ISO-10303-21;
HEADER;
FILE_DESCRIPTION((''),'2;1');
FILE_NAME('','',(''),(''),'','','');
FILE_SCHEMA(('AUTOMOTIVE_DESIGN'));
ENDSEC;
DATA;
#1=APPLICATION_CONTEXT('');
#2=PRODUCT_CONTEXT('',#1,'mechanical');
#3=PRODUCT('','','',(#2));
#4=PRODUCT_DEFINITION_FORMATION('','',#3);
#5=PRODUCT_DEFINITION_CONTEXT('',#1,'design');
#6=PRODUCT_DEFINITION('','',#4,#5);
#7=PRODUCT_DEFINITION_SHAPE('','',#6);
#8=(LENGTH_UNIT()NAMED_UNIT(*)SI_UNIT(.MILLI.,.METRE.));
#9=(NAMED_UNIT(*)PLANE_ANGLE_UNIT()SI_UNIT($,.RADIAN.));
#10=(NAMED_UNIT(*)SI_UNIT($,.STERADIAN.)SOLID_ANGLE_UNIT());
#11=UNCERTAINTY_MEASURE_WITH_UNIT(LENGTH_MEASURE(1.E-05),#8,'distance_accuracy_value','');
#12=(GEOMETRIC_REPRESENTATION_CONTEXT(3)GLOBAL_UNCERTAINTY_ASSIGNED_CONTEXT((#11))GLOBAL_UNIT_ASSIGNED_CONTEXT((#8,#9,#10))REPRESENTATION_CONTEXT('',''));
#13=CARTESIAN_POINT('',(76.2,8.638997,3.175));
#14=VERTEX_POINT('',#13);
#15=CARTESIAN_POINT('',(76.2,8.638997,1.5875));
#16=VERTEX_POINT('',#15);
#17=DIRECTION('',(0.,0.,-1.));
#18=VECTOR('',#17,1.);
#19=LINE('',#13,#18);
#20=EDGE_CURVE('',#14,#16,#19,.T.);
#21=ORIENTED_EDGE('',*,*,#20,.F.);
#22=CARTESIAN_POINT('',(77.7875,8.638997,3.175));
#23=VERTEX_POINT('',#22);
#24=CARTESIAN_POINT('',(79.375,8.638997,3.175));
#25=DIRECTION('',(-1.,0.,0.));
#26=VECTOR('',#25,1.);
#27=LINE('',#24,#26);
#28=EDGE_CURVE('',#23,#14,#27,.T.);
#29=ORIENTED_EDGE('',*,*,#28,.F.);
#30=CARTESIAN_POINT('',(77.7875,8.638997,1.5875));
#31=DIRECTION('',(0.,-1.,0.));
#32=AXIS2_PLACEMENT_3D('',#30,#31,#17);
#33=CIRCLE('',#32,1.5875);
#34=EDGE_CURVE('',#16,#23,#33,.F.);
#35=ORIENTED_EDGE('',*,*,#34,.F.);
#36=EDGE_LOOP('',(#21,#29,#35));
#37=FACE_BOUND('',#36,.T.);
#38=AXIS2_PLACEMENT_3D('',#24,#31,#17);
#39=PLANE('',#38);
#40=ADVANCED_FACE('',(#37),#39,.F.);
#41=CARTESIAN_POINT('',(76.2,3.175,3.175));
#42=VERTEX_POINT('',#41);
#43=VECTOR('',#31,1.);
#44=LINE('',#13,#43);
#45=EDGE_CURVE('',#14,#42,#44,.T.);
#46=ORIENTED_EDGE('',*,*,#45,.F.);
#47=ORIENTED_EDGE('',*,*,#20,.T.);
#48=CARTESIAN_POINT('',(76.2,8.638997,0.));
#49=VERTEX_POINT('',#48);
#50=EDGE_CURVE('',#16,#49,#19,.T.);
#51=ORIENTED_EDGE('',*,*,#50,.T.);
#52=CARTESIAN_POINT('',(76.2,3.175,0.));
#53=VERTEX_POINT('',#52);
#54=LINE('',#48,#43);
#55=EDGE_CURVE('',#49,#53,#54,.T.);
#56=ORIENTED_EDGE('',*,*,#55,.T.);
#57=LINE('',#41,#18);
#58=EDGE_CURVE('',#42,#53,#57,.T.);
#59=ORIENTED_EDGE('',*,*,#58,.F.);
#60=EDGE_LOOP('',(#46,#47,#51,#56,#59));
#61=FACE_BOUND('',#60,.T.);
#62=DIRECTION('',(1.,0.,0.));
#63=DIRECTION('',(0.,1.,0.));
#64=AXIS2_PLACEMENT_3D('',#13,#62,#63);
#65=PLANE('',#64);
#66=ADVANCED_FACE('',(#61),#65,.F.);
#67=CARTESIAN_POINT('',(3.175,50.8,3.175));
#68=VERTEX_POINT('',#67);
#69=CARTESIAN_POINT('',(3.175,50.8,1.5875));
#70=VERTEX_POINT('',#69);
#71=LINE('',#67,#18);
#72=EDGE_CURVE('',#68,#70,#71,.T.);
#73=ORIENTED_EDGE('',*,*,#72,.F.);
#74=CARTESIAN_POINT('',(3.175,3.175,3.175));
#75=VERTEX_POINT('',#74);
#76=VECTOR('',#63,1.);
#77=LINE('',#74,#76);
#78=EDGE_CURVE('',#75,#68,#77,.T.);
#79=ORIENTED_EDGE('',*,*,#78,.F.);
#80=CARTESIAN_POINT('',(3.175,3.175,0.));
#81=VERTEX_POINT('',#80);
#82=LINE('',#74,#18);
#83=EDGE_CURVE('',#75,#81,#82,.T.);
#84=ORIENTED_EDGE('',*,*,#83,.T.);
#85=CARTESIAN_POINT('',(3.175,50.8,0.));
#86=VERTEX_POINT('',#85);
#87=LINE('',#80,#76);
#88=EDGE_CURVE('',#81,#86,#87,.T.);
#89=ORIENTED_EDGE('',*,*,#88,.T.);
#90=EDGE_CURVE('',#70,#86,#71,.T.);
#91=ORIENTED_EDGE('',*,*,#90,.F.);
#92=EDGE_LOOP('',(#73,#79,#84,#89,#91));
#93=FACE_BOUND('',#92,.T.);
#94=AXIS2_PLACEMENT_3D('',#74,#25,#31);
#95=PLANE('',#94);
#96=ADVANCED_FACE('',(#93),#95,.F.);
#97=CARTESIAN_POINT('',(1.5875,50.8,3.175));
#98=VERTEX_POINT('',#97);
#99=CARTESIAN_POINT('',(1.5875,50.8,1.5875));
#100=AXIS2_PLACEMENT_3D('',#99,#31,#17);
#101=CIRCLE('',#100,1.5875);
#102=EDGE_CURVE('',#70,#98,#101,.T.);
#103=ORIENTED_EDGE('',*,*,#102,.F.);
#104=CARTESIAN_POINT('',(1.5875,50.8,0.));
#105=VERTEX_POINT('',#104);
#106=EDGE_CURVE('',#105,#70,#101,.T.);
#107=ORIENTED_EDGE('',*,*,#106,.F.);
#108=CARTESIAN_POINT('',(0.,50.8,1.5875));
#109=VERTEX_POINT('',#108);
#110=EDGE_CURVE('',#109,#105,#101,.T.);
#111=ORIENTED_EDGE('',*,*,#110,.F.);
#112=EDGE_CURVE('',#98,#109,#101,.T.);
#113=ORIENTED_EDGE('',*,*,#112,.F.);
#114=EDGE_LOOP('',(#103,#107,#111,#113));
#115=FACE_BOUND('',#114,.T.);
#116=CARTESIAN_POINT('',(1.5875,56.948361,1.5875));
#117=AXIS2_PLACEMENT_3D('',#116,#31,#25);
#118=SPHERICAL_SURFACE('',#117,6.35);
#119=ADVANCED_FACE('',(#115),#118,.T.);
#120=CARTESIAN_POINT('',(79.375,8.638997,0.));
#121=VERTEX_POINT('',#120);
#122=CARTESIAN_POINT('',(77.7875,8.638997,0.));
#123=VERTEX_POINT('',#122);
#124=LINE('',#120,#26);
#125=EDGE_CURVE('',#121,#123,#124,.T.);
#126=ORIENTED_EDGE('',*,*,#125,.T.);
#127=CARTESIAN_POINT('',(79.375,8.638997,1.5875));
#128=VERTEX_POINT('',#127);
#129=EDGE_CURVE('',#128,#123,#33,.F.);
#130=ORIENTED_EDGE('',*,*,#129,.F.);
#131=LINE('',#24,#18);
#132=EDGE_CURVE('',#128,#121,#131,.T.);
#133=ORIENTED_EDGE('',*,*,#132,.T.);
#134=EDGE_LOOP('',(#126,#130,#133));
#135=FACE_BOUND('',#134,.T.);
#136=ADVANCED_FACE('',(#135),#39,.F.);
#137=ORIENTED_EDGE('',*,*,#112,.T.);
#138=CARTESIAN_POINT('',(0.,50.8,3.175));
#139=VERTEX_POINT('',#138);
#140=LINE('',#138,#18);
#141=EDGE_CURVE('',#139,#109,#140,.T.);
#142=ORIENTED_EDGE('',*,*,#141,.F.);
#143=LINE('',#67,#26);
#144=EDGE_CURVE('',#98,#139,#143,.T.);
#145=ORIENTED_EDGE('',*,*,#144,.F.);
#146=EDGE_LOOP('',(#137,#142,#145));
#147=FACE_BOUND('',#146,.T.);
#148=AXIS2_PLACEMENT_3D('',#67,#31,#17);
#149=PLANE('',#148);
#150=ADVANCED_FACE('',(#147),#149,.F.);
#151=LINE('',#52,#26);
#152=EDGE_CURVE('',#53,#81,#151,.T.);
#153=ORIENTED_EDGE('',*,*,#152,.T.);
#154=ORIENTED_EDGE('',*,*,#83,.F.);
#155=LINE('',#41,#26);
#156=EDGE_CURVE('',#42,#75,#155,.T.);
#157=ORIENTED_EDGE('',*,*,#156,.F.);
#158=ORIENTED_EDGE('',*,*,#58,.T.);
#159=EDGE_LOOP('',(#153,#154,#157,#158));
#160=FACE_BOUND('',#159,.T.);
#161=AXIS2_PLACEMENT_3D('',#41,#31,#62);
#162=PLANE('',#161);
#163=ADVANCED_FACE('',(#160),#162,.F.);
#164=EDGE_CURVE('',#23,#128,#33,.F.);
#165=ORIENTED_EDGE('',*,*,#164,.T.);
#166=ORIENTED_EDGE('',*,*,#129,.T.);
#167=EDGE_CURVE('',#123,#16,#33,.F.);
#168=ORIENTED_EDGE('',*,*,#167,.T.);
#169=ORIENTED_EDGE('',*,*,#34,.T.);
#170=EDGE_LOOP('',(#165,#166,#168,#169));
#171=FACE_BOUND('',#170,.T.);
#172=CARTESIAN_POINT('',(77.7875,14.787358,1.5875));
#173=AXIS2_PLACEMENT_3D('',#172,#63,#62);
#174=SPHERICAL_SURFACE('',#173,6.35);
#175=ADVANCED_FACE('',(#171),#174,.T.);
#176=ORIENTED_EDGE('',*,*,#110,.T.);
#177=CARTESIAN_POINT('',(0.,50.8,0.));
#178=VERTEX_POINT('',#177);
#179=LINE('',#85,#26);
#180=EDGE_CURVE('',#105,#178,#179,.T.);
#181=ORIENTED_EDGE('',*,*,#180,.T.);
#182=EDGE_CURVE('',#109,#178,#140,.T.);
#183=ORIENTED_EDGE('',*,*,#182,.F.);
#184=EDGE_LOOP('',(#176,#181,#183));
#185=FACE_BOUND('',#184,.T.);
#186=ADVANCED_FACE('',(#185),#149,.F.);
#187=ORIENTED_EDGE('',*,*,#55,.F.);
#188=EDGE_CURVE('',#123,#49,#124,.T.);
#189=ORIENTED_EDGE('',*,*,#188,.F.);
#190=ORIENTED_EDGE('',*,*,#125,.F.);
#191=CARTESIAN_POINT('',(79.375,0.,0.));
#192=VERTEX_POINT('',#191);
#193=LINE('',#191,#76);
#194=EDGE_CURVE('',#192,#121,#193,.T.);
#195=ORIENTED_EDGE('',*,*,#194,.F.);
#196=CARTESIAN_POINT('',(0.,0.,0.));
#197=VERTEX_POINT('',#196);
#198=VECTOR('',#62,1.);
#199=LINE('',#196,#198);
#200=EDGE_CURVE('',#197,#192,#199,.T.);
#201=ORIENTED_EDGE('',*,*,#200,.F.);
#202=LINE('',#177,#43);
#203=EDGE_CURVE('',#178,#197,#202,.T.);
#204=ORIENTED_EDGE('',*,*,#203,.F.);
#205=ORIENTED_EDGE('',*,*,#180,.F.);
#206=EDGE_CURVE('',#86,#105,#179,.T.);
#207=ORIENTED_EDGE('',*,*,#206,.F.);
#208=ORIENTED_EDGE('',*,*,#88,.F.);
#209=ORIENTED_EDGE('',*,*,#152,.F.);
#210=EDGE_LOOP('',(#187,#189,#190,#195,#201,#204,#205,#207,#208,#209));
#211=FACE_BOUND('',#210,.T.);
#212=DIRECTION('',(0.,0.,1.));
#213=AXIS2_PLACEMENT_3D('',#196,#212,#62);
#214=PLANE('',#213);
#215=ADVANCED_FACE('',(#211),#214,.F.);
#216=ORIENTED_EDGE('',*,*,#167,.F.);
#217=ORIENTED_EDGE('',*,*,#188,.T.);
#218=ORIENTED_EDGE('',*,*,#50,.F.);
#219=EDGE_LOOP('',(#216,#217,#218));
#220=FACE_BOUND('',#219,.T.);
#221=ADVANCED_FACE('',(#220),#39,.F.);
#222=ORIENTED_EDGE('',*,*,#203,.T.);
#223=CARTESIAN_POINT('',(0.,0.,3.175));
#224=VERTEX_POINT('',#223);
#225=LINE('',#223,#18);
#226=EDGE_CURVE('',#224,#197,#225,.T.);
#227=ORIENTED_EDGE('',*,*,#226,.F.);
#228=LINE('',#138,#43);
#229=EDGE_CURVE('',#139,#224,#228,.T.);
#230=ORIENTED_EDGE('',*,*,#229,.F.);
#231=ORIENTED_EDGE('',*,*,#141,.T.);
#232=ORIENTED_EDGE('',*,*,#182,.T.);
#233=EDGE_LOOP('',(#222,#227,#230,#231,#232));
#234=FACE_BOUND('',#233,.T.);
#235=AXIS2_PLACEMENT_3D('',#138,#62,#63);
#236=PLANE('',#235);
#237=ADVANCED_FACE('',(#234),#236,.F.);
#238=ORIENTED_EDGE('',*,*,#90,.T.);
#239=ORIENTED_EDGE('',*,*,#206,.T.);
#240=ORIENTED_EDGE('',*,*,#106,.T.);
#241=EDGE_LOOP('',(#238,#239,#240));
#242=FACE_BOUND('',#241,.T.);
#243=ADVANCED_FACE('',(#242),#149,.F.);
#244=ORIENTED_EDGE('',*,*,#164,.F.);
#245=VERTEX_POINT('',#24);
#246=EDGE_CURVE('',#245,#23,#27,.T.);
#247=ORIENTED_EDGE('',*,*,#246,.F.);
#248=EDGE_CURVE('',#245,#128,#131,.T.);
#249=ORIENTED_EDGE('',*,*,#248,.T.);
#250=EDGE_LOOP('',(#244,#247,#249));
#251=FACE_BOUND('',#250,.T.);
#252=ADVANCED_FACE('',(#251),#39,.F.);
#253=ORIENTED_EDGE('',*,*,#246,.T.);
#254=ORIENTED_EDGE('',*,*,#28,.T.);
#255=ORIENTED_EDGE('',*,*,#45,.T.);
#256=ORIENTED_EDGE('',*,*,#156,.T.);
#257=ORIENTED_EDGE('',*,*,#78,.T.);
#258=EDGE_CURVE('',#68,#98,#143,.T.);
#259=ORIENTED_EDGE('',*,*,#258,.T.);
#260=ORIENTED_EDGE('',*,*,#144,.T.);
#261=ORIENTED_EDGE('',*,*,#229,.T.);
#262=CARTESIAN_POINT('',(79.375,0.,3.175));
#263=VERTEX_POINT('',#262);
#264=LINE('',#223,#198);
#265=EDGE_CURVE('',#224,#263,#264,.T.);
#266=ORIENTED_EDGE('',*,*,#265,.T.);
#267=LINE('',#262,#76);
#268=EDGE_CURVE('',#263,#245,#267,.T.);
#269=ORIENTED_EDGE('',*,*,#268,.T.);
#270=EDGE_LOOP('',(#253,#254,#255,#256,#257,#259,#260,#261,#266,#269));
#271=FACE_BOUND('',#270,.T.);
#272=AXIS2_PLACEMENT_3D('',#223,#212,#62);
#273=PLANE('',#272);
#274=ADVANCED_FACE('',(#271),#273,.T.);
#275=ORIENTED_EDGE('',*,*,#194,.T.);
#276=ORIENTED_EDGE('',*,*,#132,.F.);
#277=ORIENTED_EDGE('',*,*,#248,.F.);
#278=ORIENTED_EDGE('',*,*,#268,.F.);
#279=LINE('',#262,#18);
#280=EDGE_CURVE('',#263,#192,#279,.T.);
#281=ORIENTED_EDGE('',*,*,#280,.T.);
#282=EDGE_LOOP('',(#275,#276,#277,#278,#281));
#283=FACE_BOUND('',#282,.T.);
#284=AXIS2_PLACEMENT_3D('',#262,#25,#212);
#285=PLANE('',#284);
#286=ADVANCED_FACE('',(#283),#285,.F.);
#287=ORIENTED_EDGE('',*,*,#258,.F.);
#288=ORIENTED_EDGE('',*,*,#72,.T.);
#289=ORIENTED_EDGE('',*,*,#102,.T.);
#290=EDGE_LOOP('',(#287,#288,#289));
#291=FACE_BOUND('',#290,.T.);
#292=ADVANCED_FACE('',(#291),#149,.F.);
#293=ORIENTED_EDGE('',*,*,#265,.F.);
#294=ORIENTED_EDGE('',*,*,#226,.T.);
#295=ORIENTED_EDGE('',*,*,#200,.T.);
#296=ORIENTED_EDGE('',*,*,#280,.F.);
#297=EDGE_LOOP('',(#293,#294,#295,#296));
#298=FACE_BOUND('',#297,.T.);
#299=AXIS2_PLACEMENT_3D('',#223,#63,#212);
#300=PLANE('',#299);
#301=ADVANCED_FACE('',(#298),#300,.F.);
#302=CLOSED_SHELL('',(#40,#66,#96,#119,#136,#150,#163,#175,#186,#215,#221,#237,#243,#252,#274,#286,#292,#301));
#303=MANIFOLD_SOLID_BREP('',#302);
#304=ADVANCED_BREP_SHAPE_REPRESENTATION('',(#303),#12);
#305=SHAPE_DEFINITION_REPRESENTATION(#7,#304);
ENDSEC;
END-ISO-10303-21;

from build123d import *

# Parameters (mm, degrees)
BOSS_EXTRUDE1_DEPTH = 3.175


with BuildPart() as part:
    # Sketch1 → Boss-Extrude1 (new body)
    with BuildSketch(Plane.XY):
        Polygon((0, 0), (79.375, 0), (79.375, 8.638996592), (76.2, 8.638996592), (76.2, 3.175), (3.175, 3.175), (3.175, 50.8), (0, 50.8), align=None)
    extrude(amount=BOSS_EXTRUDE1_DEPTH)

    # Sketch2 → Revolve1 (revolve)
    with BuildSketch(Plane.XY.offset(1.5875)):
        with BuildLine():
            Line((1.5875, 50.598361062), (1.5875, 63.298361062))
            ThreePointArc((1.5875, 63.298361062), (7.9375, 56.948361062), (1.5875, 50.598361062))
        make_face()
    revolve(axis=Axis((1.5875, 50.598361062, 1.5875), (0, 1, 0)))

    # Sketch3 → Revolve2 (revolve)
    with BuildSketch(Plane.XY.offset(1.5875)):
        with BuildLine():
            Line((77.7875, 21.137357655), (77.7875, 8.437357655))
            ThreePointArc((77.7875, 8.437357655), (84.1375, 14.787357655), (77.7875, 21.137357655))
        make_face()
    revolve(axis=Axis((77.7875, 21.137357655, 1.5875), (0, -1, 0)))


solid = part.part
